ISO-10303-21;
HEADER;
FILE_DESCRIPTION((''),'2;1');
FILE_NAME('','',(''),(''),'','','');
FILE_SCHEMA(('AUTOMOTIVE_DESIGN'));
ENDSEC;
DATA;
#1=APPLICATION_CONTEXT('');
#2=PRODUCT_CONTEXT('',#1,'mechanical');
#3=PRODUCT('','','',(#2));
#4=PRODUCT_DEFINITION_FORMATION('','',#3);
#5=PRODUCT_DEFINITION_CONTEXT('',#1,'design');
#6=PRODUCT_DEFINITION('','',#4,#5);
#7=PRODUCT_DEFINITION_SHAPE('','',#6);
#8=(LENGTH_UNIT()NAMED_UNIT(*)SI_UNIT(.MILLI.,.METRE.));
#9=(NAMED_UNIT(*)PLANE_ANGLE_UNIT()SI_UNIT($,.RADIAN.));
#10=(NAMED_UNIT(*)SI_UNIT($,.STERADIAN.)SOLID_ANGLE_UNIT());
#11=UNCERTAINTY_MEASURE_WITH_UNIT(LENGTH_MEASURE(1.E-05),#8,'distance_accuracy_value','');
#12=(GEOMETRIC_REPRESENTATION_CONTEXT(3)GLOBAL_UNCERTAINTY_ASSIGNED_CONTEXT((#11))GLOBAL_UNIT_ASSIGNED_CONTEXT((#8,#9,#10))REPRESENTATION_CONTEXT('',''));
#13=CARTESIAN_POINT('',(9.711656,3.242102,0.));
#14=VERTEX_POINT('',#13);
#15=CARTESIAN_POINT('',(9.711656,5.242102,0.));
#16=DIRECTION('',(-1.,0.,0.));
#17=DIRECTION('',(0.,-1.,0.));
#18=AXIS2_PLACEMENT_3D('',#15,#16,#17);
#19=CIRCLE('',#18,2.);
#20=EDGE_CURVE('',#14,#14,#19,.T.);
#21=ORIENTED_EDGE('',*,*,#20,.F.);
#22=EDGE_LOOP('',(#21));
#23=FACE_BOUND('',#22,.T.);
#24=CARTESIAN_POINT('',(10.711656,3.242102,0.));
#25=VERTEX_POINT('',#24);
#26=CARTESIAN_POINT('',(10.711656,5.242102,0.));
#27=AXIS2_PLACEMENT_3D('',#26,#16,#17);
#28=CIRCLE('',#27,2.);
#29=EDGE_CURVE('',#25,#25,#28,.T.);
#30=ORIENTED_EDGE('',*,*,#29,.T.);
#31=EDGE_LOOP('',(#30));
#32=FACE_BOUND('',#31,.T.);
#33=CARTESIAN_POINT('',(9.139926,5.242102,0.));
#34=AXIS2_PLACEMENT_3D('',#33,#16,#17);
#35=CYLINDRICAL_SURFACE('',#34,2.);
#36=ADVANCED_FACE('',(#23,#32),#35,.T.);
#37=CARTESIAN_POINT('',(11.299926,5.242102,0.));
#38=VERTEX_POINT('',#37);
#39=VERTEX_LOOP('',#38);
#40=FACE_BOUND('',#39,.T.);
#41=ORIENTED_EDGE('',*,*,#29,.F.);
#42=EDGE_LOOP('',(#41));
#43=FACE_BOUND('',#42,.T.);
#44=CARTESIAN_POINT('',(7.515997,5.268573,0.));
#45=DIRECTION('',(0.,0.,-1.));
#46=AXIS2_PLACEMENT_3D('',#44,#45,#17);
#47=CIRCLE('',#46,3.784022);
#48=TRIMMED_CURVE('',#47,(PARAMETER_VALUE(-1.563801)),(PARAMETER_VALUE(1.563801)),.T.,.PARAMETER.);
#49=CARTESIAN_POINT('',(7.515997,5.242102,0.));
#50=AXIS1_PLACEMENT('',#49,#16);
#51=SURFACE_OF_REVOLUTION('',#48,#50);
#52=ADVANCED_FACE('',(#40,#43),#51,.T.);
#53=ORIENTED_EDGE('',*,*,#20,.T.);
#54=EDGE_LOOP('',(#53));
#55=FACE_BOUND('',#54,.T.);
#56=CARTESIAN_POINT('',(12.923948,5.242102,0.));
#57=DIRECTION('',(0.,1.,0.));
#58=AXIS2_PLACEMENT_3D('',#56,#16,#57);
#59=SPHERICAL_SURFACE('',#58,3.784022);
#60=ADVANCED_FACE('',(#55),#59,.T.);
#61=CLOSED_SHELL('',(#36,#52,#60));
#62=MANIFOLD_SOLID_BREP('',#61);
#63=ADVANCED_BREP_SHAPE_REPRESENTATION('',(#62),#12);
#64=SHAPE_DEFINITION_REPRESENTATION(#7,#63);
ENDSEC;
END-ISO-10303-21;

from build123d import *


with BuildPart() as part:
    # 草图2 one side → 旋转1 (revolve)
    with BuildSketch(Plane.XY):
        Polygon((10.728138038, 5.242101977), (10.711656042, 7.242101977), (9.711656042, 7.242101977), (9.711656042, 5.242101977), align=None)
        with BuildLine():
            Line((9.139926423, 5.242101977), (9.711656042, 5.242101977))
            Line((9.711656042, 5.242101977), (9.711656042, 7.242101977))
            ThreePointArc((9.711656042, 7.242101977), (9.285665343, 6.282159037), (9.139926423, 5.242101977))
        make_face()
        with BuildLine():
            Line((10.728138038, 5.242101977), (11.299926423, 5.242101977))
            ThreePointArc((11.299926423, 5.242101977), (11.146239943, 6.283412885), (10.711656042, 7.242101977))
            Line((10.711656042, 7.242101977), (10.728138038, 5.242101977))
        make_face()
    revolve(axis=Axis((9.139926423, 5.242101977, 0), (1, 0, 0)))


solid = part.part
